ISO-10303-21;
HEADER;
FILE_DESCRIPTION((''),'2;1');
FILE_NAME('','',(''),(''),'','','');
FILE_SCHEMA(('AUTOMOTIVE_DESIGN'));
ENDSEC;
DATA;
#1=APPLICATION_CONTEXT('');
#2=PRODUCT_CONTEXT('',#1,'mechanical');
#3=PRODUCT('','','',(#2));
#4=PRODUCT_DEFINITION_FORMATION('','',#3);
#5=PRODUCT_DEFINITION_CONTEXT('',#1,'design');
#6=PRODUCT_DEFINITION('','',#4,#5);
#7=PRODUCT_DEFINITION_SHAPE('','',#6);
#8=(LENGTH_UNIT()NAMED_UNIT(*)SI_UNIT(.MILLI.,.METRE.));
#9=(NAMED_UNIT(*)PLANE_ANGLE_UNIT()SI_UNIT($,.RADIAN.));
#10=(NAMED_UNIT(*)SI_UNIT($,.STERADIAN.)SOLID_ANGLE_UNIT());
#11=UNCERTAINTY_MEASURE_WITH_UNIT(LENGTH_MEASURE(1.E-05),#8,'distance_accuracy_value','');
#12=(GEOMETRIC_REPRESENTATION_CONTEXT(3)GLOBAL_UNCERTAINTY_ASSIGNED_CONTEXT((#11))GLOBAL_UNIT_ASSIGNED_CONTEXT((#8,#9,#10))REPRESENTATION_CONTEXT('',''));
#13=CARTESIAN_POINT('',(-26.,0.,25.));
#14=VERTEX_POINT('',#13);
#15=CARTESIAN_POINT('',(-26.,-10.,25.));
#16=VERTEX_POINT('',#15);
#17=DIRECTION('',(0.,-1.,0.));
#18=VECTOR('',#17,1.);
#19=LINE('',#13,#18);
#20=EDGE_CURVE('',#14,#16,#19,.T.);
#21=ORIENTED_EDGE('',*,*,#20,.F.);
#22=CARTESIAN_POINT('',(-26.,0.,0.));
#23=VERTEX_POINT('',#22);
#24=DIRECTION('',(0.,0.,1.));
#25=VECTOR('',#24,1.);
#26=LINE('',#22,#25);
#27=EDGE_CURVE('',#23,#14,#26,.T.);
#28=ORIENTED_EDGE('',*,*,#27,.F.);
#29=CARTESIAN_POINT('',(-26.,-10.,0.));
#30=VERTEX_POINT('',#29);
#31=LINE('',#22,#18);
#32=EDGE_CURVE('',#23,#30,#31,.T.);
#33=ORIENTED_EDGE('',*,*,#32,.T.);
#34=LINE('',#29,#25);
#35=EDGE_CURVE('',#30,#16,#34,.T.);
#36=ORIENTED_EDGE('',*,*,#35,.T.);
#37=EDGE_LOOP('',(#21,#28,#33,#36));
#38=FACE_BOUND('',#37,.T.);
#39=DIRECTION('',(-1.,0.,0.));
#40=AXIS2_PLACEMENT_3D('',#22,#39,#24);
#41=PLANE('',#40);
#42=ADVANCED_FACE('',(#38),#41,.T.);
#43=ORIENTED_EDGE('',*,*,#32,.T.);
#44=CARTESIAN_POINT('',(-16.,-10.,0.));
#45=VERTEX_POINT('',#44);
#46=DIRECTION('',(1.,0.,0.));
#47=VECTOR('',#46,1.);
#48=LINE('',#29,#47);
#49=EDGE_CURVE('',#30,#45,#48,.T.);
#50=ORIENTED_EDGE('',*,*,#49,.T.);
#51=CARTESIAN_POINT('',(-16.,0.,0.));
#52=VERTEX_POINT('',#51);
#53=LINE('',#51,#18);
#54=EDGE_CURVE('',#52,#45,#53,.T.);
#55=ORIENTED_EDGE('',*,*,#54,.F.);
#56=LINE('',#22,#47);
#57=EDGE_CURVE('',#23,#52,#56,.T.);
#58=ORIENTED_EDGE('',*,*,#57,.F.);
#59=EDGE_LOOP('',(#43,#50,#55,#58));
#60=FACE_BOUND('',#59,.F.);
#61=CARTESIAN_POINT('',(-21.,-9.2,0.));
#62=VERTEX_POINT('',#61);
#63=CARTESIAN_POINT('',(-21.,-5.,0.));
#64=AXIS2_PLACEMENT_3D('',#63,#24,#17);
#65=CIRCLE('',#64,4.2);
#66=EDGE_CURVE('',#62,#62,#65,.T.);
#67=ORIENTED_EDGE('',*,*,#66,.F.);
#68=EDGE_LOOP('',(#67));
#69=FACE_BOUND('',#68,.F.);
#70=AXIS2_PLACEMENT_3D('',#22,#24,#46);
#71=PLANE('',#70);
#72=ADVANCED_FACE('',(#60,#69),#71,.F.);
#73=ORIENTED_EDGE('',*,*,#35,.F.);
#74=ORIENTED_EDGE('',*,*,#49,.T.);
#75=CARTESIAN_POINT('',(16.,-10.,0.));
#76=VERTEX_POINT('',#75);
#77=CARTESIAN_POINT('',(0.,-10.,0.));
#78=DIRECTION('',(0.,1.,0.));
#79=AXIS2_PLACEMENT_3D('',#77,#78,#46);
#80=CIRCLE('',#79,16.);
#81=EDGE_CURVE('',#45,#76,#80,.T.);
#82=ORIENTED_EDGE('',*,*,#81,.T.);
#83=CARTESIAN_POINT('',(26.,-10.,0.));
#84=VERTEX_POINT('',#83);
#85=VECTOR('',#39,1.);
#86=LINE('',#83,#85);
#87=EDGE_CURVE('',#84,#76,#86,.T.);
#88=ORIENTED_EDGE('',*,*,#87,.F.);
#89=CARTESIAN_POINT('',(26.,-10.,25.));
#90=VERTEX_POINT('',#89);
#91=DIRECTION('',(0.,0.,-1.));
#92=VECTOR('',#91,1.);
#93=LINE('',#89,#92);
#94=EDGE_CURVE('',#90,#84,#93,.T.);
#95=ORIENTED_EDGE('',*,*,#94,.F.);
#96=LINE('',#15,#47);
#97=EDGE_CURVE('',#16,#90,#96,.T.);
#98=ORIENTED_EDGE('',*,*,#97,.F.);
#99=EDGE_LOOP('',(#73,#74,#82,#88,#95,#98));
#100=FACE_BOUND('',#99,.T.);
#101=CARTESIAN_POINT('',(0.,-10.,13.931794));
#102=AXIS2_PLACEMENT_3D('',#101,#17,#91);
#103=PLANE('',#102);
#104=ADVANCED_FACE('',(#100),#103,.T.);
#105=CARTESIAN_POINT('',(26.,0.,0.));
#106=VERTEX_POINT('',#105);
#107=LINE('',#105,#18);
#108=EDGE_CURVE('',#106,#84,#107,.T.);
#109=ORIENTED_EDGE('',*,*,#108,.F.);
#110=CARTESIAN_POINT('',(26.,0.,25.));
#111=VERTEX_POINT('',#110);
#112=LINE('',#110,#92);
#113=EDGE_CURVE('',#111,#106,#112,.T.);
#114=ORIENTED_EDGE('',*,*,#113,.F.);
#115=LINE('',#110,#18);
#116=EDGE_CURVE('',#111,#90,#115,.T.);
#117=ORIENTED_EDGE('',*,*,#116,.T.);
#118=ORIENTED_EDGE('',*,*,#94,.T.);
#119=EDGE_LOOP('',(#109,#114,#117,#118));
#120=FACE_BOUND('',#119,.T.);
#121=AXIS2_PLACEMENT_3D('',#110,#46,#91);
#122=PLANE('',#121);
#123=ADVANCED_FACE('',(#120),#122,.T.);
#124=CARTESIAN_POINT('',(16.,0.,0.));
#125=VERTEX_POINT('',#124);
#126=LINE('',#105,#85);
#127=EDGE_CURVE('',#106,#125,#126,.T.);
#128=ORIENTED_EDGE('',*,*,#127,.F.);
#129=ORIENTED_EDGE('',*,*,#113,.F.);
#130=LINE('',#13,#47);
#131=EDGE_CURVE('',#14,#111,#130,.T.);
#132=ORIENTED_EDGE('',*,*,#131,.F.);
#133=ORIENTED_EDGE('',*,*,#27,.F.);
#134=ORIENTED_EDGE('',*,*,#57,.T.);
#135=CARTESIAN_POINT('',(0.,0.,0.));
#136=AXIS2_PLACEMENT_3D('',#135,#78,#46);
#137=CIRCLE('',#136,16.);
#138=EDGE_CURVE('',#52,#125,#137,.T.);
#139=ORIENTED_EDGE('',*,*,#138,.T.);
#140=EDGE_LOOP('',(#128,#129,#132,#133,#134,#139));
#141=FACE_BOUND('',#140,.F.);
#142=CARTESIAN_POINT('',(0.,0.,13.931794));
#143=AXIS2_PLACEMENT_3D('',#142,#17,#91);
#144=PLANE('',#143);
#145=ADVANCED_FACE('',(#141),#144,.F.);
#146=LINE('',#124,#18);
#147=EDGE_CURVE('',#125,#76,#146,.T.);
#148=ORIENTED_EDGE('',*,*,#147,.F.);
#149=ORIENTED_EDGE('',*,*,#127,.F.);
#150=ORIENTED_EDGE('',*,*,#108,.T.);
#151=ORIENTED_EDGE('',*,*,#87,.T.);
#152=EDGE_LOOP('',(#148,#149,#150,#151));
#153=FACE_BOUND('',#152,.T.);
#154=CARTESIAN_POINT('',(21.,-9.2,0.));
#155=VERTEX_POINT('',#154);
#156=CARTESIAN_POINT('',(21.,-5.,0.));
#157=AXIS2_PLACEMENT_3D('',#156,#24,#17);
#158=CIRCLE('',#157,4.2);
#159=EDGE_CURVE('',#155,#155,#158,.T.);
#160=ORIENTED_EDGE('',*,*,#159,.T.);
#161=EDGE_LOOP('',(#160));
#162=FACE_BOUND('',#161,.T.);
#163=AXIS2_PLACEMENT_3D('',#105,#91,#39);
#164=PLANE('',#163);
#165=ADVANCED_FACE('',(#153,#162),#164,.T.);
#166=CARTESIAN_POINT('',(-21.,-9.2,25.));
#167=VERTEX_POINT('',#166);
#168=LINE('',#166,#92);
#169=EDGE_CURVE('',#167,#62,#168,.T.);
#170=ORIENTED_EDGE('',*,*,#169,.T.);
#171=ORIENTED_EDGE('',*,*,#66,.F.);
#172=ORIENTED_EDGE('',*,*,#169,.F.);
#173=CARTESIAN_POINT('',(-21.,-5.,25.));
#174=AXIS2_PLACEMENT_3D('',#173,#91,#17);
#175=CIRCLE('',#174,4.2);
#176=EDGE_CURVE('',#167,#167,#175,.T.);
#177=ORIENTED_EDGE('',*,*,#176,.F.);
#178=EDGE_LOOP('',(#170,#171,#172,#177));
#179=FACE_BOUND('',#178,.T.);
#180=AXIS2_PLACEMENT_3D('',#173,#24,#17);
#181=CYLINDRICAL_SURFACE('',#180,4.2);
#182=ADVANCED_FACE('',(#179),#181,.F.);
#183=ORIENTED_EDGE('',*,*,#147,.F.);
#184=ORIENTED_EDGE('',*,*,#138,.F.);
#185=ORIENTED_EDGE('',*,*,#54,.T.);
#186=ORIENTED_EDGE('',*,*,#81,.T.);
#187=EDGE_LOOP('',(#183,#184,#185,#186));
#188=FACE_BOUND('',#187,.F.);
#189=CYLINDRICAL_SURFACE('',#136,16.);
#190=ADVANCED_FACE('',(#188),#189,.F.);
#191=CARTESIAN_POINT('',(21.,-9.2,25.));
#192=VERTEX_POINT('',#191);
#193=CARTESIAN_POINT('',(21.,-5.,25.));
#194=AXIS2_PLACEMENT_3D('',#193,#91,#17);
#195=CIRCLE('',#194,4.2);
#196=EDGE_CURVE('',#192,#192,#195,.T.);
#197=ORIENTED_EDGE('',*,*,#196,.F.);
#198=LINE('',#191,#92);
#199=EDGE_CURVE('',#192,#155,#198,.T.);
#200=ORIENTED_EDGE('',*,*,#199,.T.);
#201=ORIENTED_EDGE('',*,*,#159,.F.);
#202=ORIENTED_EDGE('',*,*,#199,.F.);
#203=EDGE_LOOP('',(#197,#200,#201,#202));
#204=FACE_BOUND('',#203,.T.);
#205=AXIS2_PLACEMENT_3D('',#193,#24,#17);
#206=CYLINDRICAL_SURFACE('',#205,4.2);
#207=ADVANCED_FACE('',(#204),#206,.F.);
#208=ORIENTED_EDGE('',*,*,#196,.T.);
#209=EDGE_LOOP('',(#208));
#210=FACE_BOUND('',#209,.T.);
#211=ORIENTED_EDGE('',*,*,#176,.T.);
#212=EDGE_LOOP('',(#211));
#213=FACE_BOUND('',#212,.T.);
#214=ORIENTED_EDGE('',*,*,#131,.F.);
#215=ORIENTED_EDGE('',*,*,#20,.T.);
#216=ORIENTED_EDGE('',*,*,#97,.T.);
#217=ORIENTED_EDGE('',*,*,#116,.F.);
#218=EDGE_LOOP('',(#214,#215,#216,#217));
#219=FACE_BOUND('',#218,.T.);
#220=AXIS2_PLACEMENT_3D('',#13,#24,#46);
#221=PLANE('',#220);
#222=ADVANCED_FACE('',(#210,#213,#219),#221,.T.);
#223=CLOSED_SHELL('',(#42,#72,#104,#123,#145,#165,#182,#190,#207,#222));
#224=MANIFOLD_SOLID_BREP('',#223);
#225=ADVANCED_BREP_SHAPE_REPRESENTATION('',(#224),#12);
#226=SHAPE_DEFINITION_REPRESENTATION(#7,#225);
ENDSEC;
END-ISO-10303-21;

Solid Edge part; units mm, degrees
sketch "Sketch1" plane through (0, 0, 0) normal (0, -1, 0) x (1, 0, 0)
  line L0 (-26, 0) -> (-16, 0)
  arc A0 (-16, 0) -> (16, 0) centre (0, 0) cw
  line L1 (26, 0) -> (16, 0)
  line L2 (26, 25) -> (26, 0)
  line L3 (-26, 25) -> (26, 25)
  line L4 (-26, 0) -> (-26, 25)
  dimension "D1" = 10
  dimension "D2" = 16
  dimension "D3" = 25
extrude "Protrusion1" add sketch "Sketch1" along normal blind 10
hole "Hole_1" at (-21, -5, 25) direction (0, 0, -1) diameter 8.4 end up to next
hole "Hole1" at (21, -5, 25) direction (0, 0, -1) diameter 8.4 end up to next
properties material "Stainless Steel, 420"
